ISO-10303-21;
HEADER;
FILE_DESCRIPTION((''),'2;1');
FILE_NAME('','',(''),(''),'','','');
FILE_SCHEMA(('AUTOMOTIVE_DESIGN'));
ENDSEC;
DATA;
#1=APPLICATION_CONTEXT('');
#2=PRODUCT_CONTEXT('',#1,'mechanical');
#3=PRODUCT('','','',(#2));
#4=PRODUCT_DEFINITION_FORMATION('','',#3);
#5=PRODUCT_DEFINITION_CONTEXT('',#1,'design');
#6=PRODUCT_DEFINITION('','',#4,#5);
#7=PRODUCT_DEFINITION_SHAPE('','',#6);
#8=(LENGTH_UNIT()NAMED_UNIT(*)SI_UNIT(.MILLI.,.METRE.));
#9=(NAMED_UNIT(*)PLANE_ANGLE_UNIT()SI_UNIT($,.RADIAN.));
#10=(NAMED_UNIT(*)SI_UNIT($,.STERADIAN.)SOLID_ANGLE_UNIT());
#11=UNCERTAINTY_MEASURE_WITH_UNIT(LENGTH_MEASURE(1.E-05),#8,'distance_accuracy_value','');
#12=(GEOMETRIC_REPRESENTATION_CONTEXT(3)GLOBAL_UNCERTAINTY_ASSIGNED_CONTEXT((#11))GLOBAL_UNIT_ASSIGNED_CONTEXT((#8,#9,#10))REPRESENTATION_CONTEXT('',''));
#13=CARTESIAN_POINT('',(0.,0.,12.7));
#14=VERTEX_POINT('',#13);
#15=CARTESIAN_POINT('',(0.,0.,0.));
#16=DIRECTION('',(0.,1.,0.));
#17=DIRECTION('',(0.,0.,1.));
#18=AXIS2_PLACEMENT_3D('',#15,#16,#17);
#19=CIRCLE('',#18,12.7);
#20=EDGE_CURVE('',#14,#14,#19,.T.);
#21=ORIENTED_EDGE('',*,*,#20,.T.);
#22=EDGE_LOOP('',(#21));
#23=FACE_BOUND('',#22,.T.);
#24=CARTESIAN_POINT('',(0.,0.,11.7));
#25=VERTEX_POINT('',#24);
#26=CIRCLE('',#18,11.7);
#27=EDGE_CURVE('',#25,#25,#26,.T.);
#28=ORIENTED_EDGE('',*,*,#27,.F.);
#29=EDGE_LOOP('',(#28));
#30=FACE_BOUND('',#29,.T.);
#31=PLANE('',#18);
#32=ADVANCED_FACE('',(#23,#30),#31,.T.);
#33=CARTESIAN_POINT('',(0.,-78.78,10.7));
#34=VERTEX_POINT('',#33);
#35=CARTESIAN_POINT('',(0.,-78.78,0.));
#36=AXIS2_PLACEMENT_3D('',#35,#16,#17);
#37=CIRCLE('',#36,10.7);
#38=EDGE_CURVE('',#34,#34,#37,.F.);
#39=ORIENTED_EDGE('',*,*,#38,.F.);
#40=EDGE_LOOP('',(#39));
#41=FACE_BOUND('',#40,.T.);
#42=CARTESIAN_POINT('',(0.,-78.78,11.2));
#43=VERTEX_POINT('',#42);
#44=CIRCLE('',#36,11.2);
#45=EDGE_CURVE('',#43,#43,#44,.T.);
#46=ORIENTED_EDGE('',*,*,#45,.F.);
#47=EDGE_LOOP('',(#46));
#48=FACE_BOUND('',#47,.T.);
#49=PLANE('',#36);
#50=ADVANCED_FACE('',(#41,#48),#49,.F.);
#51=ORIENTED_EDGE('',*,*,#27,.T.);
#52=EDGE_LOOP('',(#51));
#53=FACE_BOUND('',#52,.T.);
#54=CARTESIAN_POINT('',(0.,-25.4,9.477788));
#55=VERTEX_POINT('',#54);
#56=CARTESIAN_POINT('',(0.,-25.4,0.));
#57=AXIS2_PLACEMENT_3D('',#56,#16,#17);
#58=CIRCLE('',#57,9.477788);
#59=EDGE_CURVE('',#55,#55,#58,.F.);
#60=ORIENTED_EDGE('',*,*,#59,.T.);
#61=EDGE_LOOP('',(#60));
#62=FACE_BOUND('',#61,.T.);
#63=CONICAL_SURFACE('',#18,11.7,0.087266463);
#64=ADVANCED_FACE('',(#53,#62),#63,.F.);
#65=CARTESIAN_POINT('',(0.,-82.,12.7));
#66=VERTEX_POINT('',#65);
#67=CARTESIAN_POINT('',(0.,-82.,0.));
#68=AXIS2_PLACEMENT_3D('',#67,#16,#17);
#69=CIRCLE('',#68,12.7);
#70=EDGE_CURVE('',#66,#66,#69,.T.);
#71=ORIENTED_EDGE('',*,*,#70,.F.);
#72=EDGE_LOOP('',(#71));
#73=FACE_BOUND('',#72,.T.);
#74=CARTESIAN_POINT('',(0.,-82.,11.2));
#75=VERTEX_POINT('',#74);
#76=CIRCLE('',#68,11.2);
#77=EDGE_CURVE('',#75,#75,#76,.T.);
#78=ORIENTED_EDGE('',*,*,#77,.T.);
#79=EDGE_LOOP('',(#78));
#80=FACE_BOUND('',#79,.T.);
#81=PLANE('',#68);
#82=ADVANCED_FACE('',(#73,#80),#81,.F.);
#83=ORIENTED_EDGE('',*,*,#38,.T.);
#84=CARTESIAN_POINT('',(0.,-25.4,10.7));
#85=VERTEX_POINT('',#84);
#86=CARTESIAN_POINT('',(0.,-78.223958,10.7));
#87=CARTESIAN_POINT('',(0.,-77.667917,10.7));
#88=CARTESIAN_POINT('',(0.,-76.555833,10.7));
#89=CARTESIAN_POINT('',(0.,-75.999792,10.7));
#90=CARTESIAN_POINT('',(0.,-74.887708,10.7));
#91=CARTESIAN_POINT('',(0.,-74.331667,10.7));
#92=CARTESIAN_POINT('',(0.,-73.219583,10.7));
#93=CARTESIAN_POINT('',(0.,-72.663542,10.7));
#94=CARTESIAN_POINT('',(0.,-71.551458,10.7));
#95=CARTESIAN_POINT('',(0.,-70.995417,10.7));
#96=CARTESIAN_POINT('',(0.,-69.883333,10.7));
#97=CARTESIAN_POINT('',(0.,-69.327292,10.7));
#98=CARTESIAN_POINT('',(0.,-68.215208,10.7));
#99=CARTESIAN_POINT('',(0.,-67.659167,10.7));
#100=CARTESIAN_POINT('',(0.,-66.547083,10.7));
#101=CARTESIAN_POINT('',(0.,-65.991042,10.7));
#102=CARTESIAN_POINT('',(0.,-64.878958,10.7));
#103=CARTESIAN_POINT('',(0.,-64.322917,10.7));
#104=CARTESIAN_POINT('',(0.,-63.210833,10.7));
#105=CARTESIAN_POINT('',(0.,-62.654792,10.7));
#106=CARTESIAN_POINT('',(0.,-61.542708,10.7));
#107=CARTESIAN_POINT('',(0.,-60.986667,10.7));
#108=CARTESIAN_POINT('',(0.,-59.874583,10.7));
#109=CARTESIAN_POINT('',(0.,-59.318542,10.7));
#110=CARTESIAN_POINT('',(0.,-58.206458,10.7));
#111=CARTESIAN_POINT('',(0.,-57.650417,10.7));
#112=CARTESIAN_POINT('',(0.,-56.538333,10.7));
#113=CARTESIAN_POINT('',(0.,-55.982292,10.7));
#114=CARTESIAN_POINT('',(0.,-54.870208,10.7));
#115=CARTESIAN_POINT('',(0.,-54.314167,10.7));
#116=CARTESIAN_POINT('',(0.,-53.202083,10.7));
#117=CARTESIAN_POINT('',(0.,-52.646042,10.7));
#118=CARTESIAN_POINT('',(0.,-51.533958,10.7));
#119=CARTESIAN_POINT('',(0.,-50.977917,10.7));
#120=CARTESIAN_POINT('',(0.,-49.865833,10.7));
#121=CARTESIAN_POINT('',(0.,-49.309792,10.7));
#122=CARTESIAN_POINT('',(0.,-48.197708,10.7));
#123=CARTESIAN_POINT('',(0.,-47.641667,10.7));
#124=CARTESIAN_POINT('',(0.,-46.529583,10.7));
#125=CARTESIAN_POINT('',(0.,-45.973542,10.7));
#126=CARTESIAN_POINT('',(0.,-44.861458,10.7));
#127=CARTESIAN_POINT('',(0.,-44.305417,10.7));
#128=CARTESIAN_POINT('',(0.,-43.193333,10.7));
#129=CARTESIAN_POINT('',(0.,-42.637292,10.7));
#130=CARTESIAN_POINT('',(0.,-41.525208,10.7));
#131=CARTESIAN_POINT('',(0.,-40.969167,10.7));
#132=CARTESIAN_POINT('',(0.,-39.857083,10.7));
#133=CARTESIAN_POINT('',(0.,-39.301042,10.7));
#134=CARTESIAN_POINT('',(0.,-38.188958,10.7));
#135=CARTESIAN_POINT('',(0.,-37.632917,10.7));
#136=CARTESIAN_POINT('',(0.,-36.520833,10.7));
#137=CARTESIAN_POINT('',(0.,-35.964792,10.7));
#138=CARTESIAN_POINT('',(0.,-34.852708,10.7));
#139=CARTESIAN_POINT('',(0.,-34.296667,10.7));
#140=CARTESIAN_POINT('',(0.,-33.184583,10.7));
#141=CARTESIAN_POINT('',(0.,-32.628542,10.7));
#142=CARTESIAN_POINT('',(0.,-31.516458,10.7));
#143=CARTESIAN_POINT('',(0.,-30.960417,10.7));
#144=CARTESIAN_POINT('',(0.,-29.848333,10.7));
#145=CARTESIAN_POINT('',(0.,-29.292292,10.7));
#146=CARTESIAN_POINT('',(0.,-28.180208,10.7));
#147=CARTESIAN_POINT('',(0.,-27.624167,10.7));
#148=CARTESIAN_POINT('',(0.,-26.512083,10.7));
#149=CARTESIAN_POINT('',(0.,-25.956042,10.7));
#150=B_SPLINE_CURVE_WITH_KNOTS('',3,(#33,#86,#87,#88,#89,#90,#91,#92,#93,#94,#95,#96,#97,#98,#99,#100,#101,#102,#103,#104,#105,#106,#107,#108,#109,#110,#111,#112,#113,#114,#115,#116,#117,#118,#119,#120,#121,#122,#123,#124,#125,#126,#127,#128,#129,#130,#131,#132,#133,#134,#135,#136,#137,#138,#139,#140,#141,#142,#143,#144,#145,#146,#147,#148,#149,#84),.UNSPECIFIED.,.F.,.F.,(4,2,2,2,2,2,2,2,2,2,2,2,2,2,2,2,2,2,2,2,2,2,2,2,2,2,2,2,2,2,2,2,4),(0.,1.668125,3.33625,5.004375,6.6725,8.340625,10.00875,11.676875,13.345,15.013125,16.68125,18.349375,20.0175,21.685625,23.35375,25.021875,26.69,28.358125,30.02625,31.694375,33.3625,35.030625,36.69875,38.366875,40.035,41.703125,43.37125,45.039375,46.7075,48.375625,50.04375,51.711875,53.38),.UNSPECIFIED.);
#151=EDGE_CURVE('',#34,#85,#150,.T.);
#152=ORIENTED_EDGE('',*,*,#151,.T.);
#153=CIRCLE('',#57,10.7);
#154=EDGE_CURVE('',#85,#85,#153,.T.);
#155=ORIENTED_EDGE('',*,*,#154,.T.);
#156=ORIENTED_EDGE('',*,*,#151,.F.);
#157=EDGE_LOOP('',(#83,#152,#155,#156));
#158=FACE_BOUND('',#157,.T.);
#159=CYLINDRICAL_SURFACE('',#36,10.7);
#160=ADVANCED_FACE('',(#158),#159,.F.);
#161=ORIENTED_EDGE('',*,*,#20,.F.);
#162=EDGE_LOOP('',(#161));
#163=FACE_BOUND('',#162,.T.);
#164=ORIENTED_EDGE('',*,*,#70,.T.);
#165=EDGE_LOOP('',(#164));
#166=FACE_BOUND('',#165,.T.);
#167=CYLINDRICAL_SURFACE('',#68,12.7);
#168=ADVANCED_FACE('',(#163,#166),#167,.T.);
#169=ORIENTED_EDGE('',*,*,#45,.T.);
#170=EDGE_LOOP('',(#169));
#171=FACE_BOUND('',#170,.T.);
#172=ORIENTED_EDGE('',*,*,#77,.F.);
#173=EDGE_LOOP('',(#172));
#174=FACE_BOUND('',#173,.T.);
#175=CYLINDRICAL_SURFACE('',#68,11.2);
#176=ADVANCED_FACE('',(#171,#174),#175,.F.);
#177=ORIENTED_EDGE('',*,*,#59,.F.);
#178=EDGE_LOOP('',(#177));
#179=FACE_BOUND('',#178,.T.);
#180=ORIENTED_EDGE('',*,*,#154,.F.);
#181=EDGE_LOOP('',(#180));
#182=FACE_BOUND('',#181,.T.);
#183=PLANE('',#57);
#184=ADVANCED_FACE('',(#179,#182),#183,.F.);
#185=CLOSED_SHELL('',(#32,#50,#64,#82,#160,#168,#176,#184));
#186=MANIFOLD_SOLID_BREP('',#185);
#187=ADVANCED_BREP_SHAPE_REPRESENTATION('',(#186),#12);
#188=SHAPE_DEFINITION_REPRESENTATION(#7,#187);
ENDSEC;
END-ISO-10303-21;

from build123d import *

# Parameters (mm, degrees)
SKETCH1_R           = 12.7
BOSS_EXTRUDE1_DEPTH = 82
SKETCH2_R           = 11.7
CUT_EXTRUDE1_DEPTH  = 25.4
CUT_EXTRUDE1_DRAFT  = -5
SKETCH3_R           = 10.7
CUT_EXTRUDE2_DEPTH  = 53.38
SKETCH4_R           = 11.2
CUT_EXTRUDE3_DEPTH  = 81.801413354


with BuildPart() as part:
    # Sketch1 → Boss-Extrude1 (new body)
    with BuildSketch(Plane(origin=(0, 0, 0), x_dir=(1, 0, 0), z_dir=(0, 1, 0))):
        with Locations(Location((0, 0, 0), (0, 0, 270))):
            Circle(SKETCH1_R)
    extrude(amount=-BOSS_EXTRUDE1_DEPTH)


with BuildPart() as cut_extrude1_tool:
    # Sketch2 → Cut-Extrude1 (with draft: the straight prism first)
    with BuildSketch(Plane(origin=(0, 0, 0), x_dir=(1, 0, 0), z_dir=(0, 1, 0))):
        Circle(SKETCH2_R)
    extrude(amount=-CUT_EXTRUDE1_DEPTH)
    # Cut-Extrude1: the draft: its side faces are tilted about the plane it starts from
    cut_extrude1_sides = [cut_extrude1_tool.faces().sort_by_distance(p)[0] for p in [
        (-11.7, -12.7, 0),
    ]]
    draft(cut_extrude1_sides, Plane(origin=(0, 0, 0), x_dir=(1, 0, 0), z_dir=(0, 1, 0)), CUT_EXTRUDE1_DRAFT)


with BuildPart() as part_1:
    add(part.part)

    # Cut-Extrude1: cut by cut_extrude1_tool
    add(cut_extrude1_tool.part, mode=Mode.SUBTRACT)

    # Sketch3 → Cut-Extrude2 (cut)
    with BuildSketch(Plane(origin=(0, -25.4, 0), x_dir=(1, 0, 0), z_dir=(0, 1, 0))):
        with Locations(Location((0, 0, 0), (0, 0, 270))):
            Circle(SKETCH3_R)
    extrude(amount=-CUT_EXTRUDE2_DEPTH, mode=Mode.SUBTRACT)

    # Sketch4 → Cut-Extrude3 (cut, through all)
    with BuildSketch(Plane(origin=(0, -78.78, 0), x_dir=(1, 0, 0), z_dir=(0, 1, 0))):
        with Locations(Location((0, 0, 0), (0, 0, 270))):
            Circle(SKETCH4_R)
    extrude(amount=-CUT_EXTRUDE3_DEPTH, mode=Mode.SUBTRACT)


solid = part_1.part
